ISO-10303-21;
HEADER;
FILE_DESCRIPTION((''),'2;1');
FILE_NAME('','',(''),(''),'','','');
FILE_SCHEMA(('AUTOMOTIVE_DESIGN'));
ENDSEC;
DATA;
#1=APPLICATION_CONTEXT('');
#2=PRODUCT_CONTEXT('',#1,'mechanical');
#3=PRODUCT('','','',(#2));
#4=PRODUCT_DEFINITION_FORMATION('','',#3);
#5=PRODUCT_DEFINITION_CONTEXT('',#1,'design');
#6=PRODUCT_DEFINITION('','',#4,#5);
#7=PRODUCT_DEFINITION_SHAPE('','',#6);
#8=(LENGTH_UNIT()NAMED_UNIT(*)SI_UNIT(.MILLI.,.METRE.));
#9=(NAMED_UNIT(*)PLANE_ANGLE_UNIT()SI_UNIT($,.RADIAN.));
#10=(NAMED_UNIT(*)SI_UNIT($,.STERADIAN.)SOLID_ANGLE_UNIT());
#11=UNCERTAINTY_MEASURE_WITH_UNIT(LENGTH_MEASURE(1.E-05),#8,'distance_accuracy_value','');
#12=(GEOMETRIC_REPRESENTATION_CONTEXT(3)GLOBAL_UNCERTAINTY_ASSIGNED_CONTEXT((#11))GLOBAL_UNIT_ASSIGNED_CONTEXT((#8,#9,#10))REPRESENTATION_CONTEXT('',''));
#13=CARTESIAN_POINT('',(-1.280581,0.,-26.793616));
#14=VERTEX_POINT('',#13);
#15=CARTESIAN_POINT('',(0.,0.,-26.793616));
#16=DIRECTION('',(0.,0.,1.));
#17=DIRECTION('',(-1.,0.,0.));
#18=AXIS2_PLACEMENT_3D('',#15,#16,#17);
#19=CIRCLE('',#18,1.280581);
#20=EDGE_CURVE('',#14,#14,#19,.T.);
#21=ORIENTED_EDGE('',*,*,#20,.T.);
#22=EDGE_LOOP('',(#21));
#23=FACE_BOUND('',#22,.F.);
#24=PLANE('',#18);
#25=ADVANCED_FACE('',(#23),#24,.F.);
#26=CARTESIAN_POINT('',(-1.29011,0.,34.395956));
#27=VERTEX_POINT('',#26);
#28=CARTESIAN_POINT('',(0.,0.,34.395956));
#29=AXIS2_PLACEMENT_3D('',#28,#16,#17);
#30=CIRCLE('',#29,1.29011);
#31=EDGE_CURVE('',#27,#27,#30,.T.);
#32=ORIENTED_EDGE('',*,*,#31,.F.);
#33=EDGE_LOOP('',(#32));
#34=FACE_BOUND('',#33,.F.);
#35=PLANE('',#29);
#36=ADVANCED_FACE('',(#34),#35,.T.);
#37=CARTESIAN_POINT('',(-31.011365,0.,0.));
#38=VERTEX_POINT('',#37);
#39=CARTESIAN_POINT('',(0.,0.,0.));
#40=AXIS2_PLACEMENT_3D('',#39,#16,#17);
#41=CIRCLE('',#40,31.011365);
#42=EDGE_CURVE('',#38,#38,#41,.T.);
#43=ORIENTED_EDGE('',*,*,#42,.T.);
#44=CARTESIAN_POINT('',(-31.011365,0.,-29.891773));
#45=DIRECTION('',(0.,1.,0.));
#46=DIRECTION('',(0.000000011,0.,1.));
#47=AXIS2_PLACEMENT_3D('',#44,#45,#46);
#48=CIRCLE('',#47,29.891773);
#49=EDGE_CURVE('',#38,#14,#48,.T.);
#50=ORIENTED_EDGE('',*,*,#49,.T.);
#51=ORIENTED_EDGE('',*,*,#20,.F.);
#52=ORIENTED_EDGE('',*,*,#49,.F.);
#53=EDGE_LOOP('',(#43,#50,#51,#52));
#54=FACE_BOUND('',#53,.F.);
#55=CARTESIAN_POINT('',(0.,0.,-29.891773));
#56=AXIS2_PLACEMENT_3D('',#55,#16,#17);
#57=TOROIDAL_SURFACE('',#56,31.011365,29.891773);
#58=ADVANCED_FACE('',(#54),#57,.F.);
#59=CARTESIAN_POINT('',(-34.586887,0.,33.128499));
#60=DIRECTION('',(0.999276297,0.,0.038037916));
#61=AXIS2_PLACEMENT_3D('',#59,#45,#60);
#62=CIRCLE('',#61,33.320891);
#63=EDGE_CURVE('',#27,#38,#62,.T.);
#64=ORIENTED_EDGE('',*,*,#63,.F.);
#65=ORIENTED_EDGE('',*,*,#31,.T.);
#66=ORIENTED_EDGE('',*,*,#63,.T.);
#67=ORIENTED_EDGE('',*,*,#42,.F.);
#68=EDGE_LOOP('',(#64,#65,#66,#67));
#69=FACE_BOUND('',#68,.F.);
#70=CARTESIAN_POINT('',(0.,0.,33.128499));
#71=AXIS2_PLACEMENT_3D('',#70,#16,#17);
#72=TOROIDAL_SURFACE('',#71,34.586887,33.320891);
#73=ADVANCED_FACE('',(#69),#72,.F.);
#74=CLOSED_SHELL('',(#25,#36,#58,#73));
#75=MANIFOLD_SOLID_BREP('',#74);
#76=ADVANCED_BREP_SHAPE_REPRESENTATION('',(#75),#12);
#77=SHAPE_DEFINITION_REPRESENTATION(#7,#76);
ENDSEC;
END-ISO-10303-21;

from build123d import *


with BuildPart() as f1:
    # F0 (on Front) → F1 (revolve)
    with BuildSketch(Plane.XZ):
        with BuildLine():
            Line((-1.280581, -26.793616), (0, -26.793616))
            Line((0, -26.793616), (0, 0))
            Line((0, 0), (-31.011365, 0))
            ThreePointArc((-31.011365, 0), (-11.00001, -7.686734), (-1.280581, -26.793616))
        make_face()
        with BuildLine():
            Line((-31.011365, 0), (0, 0))
            Line((0, 0), (0, 34.395956))
            Line((0, 34.395956), (-1.29011, 34.395956))
            ThreePointArc((-1.29011, 34.395956), (-9.374548, 11.342729), (-31.011365, 0))
        make_face()
    revolve(axis=Axis((0, 0, 3.80117), (0, 0, 1)))


solid = f1.part
